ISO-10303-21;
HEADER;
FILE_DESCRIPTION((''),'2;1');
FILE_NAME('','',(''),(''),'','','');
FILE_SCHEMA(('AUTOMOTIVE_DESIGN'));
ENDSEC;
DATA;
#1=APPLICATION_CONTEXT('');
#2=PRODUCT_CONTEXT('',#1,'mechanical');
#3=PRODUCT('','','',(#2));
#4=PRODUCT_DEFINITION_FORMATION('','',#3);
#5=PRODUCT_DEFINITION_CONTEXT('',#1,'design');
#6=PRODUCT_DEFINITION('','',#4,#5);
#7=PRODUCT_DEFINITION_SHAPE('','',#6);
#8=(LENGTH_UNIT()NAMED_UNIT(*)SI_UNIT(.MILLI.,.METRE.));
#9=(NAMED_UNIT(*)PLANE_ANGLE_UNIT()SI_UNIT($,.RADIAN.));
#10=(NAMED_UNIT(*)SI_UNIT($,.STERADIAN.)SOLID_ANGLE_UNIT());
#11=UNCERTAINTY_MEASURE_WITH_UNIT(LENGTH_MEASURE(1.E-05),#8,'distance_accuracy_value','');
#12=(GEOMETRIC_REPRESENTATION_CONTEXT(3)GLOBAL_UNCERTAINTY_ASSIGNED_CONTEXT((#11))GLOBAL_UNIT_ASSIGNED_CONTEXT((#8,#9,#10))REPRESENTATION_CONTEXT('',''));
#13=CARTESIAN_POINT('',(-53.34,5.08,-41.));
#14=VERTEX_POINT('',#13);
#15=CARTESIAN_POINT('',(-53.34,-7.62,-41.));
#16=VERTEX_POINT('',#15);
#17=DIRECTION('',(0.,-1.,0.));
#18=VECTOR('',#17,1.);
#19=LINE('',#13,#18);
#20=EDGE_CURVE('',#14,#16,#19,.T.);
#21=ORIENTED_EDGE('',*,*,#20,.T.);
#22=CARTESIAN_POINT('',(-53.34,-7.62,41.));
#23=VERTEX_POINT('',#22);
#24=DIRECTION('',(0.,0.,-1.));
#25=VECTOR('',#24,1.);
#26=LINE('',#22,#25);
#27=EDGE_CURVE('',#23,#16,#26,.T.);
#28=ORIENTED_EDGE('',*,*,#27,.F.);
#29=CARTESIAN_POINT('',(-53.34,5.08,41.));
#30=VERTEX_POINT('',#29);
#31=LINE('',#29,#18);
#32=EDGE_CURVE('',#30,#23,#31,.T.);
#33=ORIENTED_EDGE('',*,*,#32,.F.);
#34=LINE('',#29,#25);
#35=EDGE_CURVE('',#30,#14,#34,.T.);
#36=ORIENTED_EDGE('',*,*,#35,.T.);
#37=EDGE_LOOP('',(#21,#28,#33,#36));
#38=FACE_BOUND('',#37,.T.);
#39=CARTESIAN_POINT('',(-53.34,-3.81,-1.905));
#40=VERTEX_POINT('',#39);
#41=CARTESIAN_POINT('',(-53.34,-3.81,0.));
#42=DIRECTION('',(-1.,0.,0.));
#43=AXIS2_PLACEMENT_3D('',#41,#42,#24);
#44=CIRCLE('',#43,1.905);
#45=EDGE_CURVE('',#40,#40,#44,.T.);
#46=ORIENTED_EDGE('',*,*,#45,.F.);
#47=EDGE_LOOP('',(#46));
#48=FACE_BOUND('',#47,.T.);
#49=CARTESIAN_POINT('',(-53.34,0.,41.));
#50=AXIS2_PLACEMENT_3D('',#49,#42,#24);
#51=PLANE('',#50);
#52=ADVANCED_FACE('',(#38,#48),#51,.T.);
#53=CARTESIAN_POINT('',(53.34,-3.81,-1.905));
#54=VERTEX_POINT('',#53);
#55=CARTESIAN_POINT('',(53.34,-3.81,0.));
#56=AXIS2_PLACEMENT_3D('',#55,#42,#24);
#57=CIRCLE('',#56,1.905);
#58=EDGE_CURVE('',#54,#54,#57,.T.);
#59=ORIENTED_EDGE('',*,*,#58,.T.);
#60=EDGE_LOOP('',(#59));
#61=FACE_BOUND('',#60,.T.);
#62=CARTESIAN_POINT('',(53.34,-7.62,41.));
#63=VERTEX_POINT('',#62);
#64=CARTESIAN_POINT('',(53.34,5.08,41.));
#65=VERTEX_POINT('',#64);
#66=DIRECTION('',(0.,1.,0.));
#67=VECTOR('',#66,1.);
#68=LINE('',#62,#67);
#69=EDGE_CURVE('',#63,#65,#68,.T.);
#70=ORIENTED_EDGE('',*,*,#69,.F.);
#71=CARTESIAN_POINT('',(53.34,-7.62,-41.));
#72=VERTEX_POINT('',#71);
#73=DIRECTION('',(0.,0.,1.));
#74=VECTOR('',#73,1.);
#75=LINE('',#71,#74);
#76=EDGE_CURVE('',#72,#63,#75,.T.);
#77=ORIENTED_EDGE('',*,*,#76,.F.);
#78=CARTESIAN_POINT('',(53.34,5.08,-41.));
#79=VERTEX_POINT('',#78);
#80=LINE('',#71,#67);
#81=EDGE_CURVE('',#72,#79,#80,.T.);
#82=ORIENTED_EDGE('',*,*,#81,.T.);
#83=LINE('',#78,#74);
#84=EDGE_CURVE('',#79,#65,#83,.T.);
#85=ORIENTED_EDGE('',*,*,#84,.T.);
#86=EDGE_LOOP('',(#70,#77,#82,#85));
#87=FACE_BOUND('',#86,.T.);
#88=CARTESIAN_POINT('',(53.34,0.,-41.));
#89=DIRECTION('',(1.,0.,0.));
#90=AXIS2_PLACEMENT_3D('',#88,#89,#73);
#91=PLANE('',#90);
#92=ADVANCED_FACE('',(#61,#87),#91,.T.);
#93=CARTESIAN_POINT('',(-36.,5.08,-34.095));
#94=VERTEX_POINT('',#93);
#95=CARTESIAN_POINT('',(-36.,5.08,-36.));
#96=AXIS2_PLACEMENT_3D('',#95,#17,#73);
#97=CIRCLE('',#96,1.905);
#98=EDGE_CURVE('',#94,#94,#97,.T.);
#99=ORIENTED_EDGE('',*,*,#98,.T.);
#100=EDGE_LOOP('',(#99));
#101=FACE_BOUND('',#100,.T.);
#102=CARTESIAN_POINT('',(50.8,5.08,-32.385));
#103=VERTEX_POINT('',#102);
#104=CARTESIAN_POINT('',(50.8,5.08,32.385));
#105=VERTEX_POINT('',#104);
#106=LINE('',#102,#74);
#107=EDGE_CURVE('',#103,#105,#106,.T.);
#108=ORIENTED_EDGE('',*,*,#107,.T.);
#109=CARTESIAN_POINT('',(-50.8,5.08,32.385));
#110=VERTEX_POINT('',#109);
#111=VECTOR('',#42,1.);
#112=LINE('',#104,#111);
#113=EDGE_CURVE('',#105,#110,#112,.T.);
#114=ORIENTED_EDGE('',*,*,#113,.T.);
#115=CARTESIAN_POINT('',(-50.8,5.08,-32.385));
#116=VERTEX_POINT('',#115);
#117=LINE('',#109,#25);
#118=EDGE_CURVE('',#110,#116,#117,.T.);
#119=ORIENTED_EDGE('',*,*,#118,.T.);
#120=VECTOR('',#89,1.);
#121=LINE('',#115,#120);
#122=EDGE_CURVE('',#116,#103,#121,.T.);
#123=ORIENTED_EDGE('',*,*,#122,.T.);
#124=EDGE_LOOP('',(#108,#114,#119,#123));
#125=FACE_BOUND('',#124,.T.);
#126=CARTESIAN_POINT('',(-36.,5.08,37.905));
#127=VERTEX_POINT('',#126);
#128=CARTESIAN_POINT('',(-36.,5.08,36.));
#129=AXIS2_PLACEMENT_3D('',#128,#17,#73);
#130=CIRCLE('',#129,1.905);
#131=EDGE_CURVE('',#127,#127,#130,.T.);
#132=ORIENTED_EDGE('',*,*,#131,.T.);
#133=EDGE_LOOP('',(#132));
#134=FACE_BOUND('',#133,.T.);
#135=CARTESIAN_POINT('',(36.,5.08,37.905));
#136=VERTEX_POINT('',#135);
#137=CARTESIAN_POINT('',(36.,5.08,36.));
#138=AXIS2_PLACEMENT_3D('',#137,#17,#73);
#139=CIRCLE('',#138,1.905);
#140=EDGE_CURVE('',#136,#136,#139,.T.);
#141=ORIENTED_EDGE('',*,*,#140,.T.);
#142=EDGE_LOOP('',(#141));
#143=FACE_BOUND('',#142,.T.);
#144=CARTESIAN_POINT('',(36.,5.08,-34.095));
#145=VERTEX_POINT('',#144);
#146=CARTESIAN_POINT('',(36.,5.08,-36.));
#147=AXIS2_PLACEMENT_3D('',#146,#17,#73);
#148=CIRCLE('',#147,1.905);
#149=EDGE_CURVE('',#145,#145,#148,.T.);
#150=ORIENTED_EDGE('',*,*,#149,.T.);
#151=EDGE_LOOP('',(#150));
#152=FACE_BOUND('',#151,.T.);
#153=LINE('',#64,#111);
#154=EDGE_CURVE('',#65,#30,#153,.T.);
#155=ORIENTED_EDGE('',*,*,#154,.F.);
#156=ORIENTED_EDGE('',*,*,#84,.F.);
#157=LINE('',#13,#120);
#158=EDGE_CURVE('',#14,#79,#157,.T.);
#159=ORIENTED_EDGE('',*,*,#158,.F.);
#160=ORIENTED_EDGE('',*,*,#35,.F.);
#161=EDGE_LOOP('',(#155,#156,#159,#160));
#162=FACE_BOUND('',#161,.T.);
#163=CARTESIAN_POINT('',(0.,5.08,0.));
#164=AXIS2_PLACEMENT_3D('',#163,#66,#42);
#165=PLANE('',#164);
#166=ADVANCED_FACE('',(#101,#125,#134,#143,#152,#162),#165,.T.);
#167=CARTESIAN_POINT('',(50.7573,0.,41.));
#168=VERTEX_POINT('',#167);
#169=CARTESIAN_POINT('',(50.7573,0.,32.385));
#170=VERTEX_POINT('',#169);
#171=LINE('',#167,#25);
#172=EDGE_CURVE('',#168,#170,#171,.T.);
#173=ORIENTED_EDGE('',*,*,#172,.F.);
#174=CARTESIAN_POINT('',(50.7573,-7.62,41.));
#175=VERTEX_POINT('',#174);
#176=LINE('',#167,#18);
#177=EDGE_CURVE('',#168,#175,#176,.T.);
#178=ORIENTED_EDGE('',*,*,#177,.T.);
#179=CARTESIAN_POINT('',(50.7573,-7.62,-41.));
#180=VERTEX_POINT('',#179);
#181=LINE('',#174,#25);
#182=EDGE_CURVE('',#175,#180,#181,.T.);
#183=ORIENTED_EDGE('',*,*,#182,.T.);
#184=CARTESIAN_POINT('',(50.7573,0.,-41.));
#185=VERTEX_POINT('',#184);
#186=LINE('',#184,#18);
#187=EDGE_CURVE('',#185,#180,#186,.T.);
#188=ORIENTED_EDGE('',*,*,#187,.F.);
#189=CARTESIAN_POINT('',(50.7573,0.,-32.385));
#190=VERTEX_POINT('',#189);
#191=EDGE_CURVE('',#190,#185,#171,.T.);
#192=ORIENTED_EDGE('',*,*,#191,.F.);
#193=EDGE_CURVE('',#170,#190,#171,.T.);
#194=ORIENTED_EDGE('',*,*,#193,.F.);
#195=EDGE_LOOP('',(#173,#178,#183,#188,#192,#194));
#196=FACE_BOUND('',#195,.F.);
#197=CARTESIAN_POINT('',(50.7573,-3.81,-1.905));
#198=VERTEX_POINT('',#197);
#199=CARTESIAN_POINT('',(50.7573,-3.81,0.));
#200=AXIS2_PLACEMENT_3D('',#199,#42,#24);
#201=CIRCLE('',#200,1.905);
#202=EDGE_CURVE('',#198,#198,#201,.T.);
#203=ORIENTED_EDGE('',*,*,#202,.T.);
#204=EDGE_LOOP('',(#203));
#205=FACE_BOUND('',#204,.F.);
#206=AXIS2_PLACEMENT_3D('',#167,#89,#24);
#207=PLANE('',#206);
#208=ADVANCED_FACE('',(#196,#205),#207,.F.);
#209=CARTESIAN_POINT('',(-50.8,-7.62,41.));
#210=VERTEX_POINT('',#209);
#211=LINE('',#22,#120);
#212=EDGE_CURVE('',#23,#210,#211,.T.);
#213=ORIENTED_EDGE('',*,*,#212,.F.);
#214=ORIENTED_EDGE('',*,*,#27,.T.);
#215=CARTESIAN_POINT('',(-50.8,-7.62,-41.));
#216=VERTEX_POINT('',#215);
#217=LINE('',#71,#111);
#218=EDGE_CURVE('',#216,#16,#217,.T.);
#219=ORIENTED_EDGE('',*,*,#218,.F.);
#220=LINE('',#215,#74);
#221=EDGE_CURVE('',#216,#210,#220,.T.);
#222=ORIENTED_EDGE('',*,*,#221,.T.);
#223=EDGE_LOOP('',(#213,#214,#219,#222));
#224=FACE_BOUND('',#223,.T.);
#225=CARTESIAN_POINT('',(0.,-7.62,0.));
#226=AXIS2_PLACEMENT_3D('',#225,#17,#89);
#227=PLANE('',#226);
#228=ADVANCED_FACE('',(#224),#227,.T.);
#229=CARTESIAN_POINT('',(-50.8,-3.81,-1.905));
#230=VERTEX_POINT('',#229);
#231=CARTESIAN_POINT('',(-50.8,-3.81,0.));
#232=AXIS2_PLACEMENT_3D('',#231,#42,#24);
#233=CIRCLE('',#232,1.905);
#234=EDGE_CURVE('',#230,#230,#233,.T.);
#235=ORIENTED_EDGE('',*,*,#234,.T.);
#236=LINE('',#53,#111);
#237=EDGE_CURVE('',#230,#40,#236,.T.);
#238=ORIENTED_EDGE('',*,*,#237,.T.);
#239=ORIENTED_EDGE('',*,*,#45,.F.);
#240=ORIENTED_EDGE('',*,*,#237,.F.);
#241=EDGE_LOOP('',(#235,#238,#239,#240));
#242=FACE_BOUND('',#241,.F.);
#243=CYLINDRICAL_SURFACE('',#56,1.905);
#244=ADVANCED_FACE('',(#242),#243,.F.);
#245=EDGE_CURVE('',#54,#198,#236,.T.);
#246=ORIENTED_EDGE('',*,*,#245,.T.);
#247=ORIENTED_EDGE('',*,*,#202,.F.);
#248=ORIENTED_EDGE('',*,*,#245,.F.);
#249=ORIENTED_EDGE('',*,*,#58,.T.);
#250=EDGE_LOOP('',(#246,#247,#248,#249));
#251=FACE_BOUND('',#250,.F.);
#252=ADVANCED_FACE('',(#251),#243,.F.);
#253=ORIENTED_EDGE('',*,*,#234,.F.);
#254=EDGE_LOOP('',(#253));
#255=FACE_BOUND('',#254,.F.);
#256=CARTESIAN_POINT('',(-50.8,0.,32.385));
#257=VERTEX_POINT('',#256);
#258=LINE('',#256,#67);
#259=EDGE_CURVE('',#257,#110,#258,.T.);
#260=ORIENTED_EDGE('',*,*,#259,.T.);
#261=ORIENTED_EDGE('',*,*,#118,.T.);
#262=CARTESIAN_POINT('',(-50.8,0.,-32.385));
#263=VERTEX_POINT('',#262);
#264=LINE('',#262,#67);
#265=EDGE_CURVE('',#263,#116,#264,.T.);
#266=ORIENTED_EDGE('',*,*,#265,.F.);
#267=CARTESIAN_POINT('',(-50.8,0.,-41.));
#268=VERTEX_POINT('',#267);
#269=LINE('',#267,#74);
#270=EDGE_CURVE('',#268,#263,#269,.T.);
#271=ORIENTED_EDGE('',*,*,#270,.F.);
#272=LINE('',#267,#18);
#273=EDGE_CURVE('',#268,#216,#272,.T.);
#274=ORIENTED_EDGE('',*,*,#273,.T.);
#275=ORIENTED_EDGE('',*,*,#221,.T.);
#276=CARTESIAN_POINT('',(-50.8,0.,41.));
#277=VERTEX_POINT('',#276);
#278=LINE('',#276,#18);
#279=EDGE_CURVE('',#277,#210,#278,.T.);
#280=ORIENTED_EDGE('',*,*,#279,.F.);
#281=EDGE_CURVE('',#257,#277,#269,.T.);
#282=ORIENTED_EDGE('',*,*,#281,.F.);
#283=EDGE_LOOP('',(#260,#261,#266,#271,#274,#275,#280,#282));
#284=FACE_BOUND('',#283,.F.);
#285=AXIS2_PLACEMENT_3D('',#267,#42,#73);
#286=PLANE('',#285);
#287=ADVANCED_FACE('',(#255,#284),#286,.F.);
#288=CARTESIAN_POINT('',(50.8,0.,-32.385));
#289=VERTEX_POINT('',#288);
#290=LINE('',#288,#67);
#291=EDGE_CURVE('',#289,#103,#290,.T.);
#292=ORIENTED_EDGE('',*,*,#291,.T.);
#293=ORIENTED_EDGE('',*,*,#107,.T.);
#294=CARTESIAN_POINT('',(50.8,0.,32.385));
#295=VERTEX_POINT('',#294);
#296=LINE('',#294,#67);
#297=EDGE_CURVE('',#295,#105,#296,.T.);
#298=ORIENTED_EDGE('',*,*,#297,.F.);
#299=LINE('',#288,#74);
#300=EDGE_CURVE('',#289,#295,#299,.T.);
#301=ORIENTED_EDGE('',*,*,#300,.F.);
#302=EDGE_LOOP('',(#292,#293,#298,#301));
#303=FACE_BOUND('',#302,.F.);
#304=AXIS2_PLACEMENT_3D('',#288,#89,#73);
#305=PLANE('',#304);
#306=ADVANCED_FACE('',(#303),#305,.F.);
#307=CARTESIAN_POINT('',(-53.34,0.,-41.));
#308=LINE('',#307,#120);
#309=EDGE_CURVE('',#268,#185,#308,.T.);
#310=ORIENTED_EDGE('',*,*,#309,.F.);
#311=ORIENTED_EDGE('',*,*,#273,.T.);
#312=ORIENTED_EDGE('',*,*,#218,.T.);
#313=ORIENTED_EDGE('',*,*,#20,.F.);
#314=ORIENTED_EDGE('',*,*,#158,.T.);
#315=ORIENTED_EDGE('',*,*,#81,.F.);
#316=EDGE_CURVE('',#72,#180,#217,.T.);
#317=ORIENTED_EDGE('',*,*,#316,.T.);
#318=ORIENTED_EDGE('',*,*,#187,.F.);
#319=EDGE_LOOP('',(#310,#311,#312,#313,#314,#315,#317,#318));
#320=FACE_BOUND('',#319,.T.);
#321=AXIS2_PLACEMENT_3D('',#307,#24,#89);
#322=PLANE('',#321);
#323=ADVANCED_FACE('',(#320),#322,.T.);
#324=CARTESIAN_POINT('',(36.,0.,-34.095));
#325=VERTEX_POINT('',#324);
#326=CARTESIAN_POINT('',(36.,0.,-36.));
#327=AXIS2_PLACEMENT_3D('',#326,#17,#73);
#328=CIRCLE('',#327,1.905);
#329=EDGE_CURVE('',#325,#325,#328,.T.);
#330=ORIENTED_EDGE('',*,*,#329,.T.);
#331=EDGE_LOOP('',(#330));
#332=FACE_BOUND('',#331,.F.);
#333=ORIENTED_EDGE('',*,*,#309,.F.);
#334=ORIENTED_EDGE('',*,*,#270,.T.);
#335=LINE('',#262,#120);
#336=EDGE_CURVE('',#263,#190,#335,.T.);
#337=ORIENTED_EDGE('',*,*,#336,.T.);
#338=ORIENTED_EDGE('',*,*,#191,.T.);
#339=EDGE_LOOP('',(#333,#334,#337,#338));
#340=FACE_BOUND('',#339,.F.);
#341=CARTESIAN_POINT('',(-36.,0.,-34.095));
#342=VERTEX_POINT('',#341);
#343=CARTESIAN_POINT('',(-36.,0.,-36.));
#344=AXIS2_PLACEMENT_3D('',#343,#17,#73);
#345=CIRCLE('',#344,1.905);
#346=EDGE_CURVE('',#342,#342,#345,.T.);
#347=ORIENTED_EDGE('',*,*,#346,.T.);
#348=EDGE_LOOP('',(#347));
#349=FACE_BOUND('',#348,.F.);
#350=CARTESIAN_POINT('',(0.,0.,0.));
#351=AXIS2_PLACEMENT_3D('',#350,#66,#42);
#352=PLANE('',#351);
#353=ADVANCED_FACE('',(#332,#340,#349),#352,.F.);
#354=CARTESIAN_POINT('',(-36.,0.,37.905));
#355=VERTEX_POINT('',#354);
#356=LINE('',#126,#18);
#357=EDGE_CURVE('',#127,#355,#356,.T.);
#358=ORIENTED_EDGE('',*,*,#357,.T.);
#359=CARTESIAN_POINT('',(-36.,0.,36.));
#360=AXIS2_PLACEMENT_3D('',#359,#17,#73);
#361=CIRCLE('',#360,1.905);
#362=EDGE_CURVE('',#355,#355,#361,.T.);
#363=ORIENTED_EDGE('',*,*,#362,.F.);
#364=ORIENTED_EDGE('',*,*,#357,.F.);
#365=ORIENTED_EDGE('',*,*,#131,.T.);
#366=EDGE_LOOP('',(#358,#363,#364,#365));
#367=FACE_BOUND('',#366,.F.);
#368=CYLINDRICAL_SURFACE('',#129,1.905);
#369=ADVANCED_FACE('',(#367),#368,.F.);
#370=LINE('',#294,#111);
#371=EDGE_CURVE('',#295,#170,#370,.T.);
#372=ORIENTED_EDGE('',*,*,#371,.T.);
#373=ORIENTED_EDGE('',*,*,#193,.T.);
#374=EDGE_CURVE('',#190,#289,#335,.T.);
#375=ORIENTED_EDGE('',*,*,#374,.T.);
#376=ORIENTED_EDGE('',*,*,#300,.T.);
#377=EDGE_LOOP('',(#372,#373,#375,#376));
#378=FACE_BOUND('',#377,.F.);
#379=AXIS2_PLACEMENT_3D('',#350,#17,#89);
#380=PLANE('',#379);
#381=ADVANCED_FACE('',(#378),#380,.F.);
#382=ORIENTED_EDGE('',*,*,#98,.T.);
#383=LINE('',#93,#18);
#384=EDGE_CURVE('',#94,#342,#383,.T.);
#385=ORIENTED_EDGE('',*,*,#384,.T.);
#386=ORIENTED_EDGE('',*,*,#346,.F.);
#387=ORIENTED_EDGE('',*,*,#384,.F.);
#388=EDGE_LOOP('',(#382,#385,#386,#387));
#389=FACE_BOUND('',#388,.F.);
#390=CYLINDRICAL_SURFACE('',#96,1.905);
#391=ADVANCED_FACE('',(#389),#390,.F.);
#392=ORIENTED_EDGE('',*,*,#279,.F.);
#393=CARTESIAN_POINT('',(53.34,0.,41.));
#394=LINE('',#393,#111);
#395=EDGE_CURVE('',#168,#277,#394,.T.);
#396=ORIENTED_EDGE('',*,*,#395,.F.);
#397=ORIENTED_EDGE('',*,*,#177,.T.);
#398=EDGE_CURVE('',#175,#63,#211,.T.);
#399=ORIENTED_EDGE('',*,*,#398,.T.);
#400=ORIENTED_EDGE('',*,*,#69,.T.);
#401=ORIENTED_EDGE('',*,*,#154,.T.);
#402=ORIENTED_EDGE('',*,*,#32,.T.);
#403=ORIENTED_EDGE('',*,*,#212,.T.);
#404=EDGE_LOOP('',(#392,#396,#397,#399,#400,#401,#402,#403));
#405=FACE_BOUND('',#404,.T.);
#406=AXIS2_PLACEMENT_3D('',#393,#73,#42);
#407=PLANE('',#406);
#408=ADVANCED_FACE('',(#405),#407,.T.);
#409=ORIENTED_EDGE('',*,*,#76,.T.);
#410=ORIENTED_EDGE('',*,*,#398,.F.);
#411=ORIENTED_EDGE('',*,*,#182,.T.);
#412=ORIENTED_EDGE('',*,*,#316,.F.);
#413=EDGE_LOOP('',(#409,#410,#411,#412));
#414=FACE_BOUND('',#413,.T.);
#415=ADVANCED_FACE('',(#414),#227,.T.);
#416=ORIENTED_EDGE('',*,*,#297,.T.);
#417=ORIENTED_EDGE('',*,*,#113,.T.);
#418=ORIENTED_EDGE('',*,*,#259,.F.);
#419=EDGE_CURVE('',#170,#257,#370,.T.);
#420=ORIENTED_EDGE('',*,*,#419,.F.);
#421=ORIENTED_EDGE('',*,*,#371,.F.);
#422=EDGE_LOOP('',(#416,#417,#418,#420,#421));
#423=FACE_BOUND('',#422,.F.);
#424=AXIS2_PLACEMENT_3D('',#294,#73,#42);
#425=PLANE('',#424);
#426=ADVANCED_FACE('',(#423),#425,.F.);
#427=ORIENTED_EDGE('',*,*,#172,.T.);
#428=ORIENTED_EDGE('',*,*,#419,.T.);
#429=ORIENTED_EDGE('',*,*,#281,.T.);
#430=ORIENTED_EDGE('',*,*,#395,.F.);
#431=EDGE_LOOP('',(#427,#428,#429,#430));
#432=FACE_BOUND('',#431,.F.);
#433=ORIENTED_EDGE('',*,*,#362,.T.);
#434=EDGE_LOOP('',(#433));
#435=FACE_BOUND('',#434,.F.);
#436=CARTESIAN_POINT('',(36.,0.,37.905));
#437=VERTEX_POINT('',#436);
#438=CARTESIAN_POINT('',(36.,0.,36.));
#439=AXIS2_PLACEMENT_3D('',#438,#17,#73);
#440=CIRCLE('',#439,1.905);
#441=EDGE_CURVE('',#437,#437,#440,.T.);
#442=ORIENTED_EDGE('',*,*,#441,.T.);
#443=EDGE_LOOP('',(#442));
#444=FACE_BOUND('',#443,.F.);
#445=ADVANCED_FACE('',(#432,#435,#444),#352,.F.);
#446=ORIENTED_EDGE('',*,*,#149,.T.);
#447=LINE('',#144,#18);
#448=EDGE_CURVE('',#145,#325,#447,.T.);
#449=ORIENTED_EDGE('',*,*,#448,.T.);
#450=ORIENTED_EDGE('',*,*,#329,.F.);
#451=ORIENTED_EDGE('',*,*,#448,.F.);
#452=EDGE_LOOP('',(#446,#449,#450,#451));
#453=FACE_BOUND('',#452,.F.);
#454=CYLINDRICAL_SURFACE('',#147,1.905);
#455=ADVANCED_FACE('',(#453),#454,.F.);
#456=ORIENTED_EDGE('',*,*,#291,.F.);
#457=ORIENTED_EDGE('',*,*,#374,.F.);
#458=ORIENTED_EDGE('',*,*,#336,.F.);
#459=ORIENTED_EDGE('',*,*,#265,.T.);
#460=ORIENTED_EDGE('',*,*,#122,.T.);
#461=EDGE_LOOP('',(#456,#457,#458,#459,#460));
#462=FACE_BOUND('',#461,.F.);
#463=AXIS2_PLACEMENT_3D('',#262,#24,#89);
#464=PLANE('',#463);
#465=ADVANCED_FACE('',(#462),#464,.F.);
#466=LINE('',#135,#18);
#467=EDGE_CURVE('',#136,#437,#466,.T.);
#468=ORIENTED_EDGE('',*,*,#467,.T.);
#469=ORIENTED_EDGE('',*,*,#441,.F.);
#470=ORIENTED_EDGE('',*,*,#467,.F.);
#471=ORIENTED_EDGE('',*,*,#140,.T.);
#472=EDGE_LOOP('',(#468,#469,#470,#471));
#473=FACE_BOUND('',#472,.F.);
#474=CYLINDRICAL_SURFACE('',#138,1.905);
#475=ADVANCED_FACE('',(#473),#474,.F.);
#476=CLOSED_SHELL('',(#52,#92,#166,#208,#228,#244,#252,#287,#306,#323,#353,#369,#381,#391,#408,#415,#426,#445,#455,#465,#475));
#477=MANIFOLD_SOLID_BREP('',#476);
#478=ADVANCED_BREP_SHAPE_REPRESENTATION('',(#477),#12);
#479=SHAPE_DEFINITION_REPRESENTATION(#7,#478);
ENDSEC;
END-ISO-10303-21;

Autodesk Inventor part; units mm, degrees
ref_plane "YZ Plane" through (0, 0, 0) normal (1, 0, 0) x (0, 1, 0)
ref_plane "XZ Plane" through (0, 0, 0) normal (0, 1, 0) x (-1, 0, 0)
ref_plane "XY Plane" through (0, 0, 0) normal (0, 0, 1) x (1, 0, 0)
sketch "Sketch1" plane through (0, 0, 0) normal (0, 1, 0) x (-1, 0, 0)
  line L0 (-53.34, 41) -> (53.34, 41)
  line L1 (53.34, 41) -> (53.34, -41)
  line L2 (53.34, -41) -> (-53.34, -41)
  line L3 (-53.34, -41) -> (-53.34, 41)
  line L4 (-53.34, 41) -> (53.34, -41) construction
  line L5 (53.34, 41) -> (-53.34, -41) construction
  line L6 (-50.8, 32.385) -> (50.8, 32.385)
  line L7 (50.8, 32.385) -> (50.8, -32.385)
  line L8 (50.8, -32.385) -> (-50.8, -32.385)
  line L9 (-50.8, -32.385) -> (-50.8, 32.385)
  line L10 (-50.8, 32.385) -> (50.8, -32.385) construction
  line L11 (50.8, 32.385) -> (-50.8, -32.385) construction
  point P0 (0, 0)
  dimension "d0" = 106.68
  dimension "d1" = 82
  dimension "d2" = 101.6
  dimension "d3" = 64.77
extrude "Extrusion1" add sketch "Sketch1" along normal blind 5.08
sketch "Sketch2" plane through (0, 0, 0) normal (0, -1, 0) x (1, 0, 0)
  line L0 (-53.34, 41) -> (53.34, 41) projected
  line L1 (53.34, -41) -> (-53.34, -41) projected
  line L2 (53.34, 41) -> (50.7573, 41)
  line L3 (50.7573, 41) -> (50.7573, -41)
  line L4 (50.7573, -41) -> (53.34, -41)
  line L5 (53.34, -41) -> (53.34, 41)
  line L6 (-53.34, -41) -> (-50.8, -41)
  line L7 (-50.8, -41) -> (-50.8, 41)
  line L8 (-50.8, 41) -> (-53.34, 41)
  line L9 (-53.34, 41) -> (-53.34, -41)
  point P0 (0, 0)
extrude "Extrusion2" add sketch "Sketch2" along normal blind 7.62 contours L0 L7 L1 L9 | L0 L5 L1 L3
sketch "Sketch3" plane through (0, 5.08, 0) normal (0, 1, 0) x (1, 0, 0)
  line L0 (-36, -36) -> (36, -36)
  line L1 (36, -36) -> (36, 36)
  line L2 (36, 36) -> (-36, 36)
  line L3 (-36, 36) -> (-36, -36)
  line L4 (-36, -36) -> (36, 36) construction
  line L5 (36, -36) -> (-36, 36) construction
  line L6 (-36, 36) -> (-32.19, 36)
  line L7 (36, 36) -> (32.19, 36)
  line L8 (36, -36) -> (36, -40.19)
  line L9 (53.34, 41) -> (-53.34, 41) projected
  line L10 (-36, 41) -> (-36, 32.385)
  line L11 (50.7573, 32.385) -> (-50.8, 32.385) projected
  point P0 (0, 0)
  dimension "d8" = 72
  dimension "d9" = 72
sketch "Sketch4" plane through (53.34, 5.08, 41) normal (1, 0, 0) x (0, 0, -1)
  line L0 (8.615, -5.08) -> (0, -5.08) projected
  line L1 (0, -12.7) -> (0, 0) projected
  line L2 (0, -5.08) -> (0, -12.7)
  line L3 (0, -12.7) -> (0, -8.89)
  line L4 (0, -8.89) -> (82, -8.89)
  point P0 (41, -5.08)
  point P1 (82, -5.08)
  point P2 (82, -12.7)
  point P3 (41, -8.89)
hole "Hole2" at (53.34, -3.81, 0) direction (-1, 0, 0) diameter 3.81 end through all
hole "Hole3" at (-36, 5.08, 36) at (-36, 5.08, -36) at (36, 5.08, -36) at (36, 5.08, 36) direction (0, -1, 0) diameter 3.81 end through all
properties part number "Fan-Holder-4355"
